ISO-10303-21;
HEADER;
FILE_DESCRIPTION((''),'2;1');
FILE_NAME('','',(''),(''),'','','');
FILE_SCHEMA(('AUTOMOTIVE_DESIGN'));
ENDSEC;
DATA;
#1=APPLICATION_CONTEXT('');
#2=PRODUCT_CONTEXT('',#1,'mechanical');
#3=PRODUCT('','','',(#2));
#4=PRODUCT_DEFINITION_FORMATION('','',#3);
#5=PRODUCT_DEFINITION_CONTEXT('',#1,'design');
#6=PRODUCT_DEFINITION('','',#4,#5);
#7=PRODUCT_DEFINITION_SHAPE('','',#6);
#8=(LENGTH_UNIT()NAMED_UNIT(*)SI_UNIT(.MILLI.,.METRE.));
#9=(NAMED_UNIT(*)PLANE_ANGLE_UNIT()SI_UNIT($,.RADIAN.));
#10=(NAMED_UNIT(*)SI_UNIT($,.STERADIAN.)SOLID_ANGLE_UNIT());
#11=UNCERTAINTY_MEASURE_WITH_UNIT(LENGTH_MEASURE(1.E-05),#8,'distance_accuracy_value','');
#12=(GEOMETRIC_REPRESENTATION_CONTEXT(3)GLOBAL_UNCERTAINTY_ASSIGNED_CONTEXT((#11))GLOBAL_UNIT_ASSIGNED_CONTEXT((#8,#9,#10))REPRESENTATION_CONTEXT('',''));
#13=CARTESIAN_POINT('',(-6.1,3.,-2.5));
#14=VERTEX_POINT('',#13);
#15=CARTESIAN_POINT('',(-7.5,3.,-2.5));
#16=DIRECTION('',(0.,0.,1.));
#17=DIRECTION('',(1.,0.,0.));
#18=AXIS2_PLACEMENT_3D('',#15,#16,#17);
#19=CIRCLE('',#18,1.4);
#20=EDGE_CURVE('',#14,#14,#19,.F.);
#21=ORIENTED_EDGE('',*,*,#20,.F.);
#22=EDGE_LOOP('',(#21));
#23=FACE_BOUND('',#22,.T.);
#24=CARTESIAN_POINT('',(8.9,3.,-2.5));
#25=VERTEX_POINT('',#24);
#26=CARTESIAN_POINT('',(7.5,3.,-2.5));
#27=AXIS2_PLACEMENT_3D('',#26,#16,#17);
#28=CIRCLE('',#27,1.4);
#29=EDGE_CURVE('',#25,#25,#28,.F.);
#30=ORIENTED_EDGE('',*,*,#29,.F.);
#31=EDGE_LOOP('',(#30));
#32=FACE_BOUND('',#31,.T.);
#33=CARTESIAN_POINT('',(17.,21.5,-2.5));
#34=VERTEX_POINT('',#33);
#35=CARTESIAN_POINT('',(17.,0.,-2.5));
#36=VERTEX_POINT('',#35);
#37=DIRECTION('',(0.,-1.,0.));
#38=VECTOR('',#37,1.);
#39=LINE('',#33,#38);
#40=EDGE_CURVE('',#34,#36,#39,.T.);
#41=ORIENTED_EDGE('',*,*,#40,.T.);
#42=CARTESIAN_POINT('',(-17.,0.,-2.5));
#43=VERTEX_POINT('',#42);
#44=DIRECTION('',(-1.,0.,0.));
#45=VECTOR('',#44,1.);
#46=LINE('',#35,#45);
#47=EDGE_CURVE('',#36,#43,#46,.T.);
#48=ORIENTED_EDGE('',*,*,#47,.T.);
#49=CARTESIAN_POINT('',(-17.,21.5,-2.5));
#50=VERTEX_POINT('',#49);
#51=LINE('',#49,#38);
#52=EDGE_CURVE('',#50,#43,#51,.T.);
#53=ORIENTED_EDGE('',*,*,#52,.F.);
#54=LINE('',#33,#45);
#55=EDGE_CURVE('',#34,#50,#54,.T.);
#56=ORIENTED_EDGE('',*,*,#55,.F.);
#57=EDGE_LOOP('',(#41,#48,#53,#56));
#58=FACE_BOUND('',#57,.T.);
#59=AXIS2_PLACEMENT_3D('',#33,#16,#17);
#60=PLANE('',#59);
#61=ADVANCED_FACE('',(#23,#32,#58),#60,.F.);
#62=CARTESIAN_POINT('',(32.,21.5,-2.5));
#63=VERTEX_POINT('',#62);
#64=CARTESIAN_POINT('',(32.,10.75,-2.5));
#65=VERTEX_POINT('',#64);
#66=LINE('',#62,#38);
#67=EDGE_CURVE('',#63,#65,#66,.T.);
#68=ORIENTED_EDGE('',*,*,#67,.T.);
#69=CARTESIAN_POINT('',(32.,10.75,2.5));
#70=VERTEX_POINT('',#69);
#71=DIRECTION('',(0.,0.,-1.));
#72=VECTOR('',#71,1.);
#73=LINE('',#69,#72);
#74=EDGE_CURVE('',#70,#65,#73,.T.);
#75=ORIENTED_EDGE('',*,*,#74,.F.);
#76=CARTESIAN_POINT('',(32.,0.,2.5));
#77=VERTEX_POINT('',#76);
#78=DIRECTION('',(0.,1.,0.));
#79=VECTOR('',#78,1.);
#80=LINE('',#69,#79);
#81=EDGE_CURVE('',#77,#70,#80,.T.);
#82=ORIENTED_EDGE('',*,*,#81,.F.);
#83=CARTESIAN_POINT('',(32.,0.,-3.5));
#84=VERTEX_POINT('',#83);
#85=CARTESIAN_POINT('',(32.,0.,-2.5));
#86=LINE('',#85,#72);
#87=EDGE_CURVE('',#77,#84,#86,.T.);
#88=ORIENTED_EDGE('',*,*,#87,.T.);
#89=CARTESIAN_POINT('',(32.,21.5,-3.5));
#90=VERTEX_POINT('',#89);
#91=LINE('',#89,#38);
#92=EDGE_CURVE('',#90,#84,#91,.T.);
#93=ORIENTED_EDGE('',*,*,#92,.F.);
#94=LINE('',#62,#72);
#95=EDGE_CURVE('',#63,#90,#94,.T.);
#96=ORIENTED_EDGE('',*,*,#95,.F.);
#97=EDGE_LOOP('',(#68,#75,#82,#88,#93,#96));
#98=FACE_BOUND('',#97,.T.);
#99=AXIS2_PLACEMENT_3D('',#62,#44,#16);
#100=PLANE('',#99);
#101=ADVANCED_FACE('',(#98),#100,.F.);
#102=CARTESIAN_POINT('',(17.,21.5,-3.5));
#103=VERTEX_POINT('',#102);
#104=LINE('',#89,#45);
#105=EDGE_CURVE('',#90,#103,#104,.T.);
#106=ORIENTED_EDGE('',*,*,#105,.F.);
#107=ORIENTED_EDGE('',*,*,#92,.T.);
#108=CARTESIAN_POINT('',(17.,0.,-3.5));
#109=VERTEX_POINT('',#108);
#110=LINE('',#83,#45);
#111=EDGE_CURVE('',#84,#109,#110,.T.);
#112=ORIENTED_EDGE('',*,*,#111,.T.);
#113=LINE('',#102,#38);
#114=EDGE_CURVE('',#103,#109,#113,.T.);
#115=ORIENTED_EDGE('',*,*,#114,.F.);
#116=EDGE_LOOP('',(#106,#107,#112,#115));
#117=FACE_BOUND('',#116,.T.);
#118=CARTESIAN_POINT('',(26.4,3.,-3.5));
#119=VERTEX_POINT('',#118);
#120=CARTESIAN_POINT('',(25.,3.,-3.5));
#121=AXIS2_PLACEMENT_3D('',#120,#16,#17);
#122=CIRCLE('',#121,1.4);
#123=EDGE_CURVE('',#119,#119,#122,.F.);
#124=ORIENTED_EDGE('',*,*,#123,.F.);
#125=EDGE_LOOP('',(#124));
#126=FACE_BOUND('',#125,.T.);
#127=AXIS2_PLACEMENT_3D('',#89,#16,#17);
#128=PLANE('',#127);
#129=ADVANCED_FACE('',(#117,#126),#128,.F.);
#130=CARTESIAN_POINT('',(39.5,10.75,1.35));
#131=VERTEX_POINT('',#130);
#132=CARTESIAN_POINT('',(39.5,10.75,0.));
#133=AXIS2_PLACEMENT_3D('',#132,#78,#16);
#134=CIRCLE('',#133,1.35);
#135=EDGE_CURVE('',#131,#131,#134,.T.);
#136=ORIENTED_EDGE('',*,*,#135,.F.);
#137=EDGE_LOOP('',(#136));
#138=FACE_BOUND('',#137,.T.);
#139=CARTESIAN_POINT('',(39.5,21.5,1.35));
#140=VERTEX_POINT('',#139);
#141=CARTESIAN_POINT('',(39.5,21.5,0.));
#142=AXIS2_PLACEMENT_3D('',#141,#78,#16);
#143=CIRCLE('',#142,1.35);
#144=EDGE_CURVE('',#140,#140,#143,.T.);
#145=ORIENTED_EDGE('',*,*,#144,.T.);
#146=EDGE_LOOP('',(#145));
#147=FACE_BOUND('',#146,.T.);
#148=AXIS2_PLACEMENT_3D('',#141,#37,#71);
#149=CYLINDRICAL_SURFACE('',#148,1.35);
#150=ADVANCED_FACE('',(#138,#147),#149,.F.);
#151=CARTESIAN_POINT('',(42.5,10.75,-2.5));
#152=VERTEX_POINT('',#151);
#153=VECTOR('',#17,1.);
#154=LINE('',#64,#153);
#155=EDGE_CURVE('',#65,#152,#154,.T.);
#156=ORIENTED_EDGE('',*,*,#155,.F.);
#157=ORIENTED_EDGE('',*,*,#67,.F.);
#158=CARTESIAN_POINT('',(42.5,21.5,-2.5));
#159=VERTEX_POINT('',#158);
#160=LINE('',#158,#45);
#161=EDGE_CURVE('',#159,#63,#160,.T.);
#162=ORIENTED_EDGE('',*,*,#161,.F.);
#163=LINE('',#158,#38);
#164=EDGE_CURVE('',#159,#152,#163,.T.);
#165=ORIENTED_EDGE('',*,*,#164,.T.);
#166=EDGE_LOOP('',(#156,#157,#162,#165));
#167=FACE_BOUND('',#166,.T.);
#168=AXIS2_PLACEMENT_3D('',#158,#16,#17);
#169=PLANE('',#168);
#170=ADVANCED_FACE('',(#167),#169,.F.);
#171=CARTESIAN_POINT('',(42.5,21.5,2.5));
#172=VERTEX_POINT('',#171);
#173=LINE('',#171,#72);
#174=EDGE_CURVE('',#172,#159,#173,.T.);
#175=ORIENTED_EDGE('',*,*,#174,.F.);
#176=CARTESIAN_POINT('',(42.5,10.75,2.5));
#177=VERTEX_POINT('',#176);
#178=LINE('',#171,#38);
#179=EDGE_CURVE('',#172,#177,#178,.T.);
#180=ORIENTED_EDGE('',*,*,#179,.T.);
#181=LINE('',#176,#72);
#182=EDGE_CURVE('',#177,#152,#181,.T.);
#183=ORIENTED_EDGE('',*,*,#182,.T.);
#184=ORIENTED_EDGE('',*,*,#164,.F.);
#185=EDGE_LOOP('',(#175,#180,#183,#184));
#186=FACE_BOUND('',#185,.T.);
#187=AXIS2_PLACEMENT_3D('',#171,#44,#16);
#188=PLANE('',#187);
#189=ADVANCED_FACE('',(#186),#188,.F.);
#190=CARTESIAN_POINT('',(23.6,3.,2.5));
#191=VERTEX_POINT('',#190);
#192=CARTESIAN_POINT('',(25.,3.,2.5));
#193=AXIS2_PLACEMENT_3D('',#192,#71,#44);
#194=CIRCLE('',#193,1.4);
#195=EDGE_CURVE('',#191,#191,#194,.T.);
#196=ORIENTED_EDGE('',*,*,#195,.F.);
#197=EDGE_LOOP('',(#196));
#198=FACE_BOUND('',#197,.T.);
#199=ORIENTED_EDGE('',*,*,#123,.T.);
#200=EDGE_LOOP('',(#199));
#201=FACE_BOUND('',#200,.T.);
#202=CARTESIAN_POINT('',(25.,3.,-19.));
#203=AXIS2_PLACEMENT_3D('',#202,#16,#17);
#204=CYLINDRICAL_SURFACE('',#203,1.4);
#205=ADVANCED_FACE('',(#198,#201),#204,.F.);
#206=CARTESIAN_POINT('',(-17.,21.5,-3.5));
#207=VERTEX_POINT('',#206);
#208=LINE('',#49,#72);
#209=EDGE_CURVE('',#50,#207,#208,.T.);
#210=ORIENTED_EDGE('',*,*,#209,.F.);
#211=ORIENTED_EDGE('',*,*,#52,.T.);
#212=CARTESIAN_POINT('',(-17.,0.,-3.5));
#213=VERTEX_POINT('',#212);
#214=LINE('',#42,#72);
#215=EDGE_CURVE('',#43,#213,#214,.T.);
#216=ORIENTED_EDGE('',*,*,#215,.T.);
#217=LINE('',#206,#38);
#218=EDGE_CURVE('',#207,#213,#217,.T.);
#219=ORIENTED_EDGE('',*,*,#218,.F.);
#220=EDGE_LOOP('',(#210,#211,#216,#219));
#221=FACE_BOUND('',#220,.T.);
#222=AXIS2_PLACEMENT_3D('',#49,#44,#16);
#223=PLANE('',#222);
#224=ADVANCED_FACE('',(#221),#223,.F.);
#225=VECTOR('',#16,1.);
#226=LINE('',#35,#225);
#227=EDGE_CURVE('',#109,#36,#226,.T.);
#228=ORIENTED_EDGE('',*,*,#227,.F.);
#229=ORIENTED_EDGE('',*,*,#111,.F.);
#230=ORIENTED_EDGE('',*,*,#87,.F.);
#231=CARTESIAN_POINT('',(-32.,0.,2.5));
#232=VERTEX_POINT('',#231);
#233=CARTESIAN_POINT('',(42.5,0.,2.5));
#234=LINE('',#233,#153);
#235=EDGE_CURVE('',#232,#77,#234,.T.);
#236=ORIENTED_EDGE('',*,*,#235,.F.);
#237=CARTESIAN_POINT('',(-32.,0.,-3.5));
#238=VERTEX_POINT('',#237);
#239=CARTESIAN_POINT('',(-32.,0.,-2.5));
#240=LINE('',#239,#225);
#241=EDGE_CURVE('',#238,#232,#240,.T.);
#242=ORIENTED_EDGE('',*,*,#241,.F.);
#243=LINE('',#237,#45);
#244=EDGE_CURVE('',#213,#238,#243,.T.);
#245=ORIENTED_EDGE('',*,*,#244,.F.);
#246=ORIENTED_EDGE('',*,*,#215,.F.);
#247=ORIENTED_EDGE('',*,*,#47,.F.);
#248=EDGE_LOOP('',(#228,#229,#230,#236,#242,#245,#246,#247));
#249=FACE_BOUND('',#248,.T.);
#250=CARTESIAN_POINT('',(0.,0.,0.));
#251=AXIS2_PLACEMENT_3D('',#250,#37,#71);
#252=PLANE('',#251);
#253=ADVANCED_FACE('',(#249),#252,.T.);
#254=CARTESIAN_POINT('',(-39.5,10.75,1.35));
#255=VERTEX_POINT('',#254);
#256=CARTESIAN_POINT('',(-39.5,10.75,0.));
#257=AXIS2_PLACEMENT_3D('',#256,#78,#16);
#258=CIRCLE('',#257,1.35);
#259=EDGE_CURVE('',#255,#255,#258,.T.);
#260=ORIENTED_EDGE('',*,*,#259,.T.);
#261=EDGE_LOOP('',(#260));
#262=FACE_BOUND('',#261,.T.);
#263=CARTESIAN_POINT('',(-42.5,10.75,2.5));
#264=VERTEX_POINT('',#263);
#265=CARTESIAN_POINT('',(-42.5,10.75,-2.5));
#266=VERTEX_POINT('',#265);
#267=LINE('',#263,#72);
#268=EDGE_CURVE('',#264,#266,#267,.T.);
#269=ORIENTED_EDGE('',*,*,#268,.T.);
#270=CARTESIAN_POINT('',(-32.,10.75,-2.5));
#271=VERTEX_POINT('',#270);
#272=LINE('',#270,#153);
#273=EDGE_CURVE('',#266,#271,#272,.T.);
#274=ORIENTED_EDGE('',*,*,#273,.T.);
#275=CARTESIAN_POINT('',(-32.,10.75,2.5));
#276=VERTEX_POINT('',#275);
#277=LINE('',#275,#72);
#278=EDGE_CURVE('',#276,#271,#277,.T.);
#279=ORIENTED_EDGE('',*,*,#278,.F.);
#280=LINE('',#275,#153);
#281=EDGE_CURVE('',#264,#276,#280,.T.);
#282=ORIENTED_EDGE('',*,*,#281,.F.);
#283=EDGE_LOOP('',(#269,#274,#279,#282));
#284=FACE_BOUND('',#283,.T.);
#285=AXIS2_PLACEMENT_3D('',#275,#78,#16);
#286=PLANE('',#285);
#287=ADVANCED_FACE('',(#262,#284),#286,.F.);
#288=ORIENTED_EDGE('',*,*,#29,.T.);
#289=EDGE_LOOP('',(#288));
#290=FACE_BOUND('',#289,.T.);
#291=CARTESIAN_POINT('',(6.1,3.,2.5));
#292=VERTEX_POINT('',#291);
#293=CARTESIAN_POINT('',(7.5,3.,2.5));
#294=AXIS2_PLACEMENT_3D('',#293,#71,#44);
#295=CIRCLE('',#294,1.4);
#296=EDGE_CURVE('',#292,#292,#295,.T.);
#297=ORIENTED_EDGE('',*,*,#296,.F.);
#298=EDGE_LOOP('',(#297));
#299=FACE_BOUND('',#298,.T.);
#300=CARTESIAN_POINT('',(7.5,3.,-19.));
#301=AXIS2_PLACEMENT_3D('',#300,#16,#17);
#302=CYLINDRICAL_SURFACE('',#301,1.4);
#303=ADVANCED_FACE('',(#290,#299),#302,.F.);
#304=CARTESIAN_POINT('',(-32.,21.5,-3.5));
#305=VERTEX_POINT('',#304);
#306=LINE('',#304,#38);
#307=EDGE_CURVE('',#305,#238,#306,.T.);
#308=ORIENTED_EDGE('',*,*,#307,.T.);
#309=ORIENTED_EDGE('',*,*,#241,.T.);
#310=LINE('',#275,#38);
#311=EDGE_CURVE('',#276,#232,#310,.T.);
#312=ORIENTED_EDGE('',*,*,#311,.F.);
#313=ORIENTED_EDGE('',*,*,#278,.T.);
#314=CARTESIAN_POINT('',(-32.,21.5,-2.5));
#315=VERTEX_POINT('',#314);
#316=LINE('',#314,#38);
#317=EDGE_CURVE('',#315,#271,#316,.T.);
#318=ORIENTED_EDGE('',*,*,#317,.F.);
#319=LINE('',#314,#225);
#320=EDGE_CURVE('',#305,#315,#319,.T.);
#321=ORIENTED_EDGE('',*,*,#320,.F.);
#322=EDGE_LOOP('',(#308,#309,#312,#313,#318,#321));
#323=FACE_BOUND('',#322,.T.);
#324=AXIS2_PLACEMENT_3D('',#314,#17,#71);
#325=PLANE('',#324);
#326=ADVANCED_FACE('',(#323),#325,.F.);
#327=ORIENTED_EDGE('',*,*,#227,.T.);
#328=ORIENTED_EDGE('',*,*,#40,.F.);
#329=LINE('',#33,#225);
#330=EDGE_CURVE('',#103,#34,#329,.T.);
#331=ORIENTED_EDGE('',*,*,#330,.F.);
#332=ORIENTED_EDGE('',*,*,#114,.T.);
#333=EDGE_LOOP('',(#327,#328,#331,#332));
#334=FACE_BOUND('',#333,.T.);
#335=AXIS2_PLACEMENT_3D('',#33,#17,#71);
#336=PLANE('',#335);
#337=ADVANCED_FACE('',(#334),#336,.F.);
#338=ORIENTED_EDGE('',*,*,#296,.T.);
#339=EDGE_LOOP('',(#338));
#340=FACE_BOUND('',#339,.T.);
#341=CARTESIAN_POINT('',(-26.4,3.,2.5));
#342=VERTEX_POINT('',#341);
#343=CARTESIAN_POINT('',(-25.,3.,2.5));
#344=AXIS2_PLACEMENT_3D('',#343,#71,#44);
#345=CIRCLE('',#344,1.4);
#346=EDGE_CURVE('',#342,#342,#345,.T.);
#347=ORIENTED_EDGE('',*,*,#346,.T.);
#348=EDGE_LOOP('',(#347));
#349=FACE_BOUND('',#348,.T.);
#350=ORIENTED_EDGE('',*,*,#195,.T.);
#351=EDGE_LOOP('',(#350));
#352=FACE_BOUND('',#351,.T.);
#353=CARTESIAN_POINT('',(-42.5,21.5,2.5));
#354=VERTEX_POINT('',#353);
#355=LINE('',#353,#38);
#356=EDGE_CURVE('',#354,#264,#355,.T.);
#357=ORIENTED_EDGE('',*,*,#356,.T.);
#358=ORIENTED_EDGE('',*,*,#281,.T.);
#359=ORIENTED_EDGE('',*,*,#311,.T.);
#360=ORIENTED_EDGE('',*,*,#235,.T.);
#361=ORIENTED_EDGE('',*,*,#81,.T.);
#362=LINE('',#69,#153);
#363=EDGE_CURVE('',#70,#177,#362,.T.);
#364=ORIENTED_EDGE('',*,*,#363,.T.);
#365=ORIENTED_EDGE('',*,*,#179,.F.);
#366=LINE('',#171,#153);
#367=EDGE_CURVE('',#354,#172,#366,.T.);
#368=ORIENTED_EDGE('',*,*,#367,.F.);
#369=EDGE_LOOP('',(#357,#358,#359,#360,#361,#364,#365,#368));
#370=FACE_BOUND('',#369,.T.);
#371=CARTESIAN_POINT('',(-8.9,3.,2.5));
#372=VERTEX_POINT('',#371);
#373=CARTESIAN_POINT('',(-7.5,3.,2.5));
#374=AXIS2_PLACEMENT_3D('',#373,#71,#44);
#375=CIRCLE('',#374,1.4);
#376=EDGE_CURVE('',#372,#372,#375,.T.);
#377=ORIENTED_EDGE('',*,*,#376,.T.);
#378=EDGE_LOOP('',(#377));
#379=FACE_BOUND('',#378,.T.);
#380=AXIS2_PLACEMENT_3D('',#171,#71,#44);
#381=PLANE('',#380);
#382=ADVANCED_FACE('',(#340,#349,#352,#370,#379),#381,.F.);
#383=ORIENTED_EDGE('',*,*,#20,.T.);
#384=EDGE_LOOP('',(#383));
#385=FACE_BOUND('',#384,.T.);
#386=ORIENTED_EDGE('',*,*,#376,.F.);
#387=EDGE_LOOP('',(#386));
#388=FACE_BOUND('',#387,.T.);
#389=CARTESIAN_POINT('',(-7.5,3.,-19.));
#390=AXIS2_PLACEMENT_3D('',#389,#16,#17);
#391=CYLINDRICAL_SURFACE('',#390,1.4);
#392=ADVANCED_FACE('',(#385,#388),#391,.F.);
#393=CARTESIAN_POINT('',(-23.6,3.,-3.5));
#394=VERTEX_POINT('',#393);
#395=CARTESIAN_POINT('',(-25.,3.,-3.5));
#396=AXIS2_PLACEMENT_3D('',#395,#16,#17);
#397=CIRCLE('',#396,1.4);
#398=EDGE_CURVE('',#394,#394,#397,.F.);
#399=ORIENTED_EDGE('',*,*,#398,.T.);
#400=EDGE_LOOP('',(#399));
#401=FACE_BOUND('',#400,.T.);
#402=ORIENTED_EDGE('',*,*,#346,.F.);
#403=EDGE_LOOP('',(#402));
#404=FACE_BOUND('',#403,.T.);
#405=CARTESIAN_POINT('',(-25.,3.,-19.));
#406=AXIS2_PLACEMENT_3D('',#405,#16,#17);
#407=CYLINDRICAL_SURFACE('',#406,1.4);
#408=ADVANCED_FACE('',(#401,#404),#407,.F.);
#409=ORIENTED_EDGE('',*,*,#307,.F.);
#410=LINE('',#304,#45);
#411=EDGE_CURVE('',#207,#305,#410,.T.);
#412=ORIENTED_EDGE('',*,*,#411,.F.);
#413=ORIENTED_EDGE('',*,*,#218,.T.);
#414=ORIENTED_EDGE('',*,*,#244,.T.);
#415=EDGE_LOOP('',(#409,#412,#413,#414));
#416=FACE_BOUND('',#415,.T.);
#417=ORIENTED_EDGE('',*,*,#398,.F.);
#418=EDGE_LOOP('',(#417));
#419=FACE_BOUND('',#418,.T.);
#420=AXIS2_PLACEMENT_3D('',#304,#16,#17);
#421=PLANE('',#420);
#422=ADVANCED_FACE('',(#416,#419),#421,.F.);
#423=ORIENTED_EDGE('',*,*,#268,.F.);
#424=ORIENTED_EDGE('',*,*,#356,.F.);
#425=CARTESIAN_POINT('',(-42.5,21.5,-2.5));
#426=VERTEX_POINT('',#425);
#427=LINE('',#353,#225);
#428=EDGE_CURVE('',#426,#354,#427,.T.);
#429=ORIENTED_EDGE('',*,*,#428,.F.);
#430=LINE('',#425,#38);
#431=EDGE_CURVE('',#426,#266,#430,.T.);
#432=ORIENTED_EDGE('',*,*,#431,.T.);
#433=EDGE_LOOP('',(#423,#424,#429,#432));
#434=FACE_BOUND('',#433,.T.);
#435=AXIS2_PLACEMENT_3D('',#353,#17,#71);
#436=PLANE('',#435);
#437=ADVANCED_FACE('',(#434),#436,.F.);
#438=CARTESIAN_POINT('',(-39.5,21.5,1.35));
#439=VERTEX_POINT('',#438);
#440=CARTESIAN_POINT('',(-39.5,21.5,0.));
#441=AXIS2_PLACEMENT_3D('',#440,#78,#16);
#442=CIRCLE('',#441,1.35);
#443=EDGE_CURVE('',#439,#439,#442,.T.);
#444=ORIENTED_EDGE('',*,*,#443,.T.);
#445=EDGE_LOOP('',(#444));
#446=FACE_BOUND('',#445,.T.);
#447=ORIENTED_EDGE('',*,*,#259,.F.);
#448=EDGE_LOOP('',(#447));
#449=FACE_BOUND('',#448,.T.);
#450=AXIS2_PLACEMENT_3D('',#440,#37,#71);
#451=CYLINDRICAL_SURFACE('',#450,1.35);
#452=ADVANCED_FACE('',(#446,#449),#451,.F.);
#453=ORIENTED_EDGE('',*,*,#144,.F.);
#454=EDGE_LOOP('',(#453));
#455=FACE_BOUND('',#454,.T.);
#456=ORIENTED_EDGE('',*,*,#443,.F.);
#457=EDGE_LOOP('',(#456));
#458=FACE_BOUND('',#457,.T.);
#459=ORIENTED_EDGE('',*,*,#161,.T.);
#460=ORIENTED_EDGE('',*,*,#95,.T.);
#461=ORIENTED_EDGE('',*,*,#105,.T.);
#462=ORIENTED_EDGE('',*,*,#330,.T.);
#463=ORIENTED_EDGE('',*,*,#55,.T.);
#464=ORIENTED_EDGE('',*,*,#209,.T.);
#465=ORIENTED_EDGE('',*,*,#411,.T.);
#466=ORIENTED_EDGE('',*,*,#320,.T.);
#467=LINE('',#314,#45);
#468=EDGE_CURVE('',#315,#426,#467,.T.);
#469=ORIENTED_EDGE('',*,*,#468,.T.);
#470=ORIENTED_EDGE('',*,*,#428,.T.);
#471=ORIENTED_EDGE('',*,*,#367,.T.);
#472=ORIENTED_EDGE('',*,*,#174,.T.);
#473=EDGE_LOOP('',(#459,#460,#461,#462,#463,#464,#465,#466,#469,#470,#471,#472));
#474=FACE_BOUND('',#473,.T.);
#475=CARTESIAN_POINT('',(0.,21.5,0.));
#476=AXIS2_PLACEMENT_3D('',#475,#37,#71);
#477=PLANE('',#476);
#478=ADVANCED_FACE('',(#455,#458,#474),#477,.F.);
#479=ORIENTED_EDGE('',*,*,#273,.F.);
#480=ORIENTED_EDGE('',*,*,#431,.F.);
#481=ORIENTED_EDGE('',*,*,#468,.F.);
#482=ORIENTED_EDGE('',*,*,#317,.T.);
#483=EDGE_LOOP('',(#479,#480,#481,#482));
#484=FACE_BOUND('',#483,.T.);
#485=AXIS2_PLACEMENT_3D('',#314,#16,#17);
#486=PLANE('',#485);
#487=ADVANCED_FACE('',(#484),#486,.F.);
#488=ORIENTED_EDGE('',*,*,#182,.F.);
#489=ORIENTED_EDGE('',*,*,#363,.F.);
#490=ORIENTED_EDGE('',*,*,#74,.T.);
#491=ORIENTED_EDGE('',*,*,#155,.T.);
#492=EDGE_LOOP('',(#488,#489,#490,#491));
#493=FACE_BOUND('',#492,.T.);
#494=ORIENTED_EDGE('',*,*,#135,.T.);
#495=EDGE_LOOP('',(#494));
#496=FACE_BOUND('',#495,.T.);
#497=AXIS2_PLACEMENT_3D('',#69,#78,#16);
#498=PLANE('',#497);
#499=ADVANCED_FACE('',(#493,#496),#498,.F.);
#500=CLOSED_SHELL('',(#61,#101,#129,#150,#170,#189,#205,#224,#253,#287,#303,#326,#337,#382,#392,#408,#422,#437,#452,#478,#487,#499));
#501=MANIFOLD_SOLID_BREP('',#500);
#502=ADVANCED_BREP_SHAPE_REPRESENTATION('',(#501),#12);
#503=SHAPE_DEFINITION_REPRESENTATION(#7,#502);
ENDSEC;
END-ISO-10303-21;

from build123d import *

# Parameters (mm, degrees)
SKETCH1_R               = 1.35
BOSS_EXTRUDE1_DEPTH     = 21.5
SKETCH2_R               = 1.4
CUT_EXTRUDE1_DEPTH      = 21.5
SKETCH3_W               = 10.5
SKETCH3_H               = 10.75
CUT_EXTRUDE2_DEPTH      = 2
CUT_EXTRUDE2_DEPTH_BACK = 6


with BuildPart() as part:
    # Sketch1 → Boss-Extrude1 (new body)
    with BuildSketch(Plane(origin=(0, 0, 0), x_dir=(1, 0, 0), z_dir=(0, 1, 0))):
        Polygon((42.5, -2.5), (-42.5, -2.5), (-42.5, 2.5), (-32, 2.5), (-32, 3.5), (-17, 3.5), (-17, 2.5), (17, 2.5), (17, 3.5), (32, 3.5), (32, 2.5), (42.5, 2.5), align=None)
        with Locations((-39.5, 0)):
            Circle(SKETCH1_R, mode=Mode.SUBTRACT)
        with Locations((39.5, 0)):
            Circle(SKETCH1_R, mode=Mode.SUBTRACT)
    extrude(amount=BOSS_EXTRUDE1_DEPTH)

    # Sketch2 → Cut-Extrude1 (cut)
    with BuildSketch(Plane(origin=(0, 0, 2.5), x_dir=(-1, 0, 0), z_dir=(0, 0, -1))):
        with Locations((-7.5, 3)):
            Circle(SKETCH2_R)
        with Locations((7.5, 3)):
            Circle(SKETCH2_R)
        with Locations((-25, 3)):
            Circle(SKETCH2_R)
        with Locations((25, 3)):
            Circle(SKETCH2_R)
    extrude(amount=CUT_EXTRUDE1_DEPTH, mode=Mode.SUBTRACT)

    # Sketch3 → Cut-Extrude2 (cut, two sides)
    with BuildSketch(Plane(origin=(0, 0, -2.5), x_dir=(-1, 0, 0), z_dir=(0, 0, -1))) as cut_extrude2_sk:
        with Locations((-37.25, 5.375)):
            Rectangle(SKETCH3_W, SKETCH3_H)
        with Locations((37.25, 5.375)):
            Rectangle(SKETCH3_W, SKETCH3_H)
    extrude(amount=CUT_EXTRUDE2_DEPTH, mode=Mode.SUBTRACT)
    extrude(cut_extrude2_sk.sketch, amount=-CUT_EXTRUDE2_DEPTH_BACK, mode=Mode.SUBTRACT)


solid = part.part
